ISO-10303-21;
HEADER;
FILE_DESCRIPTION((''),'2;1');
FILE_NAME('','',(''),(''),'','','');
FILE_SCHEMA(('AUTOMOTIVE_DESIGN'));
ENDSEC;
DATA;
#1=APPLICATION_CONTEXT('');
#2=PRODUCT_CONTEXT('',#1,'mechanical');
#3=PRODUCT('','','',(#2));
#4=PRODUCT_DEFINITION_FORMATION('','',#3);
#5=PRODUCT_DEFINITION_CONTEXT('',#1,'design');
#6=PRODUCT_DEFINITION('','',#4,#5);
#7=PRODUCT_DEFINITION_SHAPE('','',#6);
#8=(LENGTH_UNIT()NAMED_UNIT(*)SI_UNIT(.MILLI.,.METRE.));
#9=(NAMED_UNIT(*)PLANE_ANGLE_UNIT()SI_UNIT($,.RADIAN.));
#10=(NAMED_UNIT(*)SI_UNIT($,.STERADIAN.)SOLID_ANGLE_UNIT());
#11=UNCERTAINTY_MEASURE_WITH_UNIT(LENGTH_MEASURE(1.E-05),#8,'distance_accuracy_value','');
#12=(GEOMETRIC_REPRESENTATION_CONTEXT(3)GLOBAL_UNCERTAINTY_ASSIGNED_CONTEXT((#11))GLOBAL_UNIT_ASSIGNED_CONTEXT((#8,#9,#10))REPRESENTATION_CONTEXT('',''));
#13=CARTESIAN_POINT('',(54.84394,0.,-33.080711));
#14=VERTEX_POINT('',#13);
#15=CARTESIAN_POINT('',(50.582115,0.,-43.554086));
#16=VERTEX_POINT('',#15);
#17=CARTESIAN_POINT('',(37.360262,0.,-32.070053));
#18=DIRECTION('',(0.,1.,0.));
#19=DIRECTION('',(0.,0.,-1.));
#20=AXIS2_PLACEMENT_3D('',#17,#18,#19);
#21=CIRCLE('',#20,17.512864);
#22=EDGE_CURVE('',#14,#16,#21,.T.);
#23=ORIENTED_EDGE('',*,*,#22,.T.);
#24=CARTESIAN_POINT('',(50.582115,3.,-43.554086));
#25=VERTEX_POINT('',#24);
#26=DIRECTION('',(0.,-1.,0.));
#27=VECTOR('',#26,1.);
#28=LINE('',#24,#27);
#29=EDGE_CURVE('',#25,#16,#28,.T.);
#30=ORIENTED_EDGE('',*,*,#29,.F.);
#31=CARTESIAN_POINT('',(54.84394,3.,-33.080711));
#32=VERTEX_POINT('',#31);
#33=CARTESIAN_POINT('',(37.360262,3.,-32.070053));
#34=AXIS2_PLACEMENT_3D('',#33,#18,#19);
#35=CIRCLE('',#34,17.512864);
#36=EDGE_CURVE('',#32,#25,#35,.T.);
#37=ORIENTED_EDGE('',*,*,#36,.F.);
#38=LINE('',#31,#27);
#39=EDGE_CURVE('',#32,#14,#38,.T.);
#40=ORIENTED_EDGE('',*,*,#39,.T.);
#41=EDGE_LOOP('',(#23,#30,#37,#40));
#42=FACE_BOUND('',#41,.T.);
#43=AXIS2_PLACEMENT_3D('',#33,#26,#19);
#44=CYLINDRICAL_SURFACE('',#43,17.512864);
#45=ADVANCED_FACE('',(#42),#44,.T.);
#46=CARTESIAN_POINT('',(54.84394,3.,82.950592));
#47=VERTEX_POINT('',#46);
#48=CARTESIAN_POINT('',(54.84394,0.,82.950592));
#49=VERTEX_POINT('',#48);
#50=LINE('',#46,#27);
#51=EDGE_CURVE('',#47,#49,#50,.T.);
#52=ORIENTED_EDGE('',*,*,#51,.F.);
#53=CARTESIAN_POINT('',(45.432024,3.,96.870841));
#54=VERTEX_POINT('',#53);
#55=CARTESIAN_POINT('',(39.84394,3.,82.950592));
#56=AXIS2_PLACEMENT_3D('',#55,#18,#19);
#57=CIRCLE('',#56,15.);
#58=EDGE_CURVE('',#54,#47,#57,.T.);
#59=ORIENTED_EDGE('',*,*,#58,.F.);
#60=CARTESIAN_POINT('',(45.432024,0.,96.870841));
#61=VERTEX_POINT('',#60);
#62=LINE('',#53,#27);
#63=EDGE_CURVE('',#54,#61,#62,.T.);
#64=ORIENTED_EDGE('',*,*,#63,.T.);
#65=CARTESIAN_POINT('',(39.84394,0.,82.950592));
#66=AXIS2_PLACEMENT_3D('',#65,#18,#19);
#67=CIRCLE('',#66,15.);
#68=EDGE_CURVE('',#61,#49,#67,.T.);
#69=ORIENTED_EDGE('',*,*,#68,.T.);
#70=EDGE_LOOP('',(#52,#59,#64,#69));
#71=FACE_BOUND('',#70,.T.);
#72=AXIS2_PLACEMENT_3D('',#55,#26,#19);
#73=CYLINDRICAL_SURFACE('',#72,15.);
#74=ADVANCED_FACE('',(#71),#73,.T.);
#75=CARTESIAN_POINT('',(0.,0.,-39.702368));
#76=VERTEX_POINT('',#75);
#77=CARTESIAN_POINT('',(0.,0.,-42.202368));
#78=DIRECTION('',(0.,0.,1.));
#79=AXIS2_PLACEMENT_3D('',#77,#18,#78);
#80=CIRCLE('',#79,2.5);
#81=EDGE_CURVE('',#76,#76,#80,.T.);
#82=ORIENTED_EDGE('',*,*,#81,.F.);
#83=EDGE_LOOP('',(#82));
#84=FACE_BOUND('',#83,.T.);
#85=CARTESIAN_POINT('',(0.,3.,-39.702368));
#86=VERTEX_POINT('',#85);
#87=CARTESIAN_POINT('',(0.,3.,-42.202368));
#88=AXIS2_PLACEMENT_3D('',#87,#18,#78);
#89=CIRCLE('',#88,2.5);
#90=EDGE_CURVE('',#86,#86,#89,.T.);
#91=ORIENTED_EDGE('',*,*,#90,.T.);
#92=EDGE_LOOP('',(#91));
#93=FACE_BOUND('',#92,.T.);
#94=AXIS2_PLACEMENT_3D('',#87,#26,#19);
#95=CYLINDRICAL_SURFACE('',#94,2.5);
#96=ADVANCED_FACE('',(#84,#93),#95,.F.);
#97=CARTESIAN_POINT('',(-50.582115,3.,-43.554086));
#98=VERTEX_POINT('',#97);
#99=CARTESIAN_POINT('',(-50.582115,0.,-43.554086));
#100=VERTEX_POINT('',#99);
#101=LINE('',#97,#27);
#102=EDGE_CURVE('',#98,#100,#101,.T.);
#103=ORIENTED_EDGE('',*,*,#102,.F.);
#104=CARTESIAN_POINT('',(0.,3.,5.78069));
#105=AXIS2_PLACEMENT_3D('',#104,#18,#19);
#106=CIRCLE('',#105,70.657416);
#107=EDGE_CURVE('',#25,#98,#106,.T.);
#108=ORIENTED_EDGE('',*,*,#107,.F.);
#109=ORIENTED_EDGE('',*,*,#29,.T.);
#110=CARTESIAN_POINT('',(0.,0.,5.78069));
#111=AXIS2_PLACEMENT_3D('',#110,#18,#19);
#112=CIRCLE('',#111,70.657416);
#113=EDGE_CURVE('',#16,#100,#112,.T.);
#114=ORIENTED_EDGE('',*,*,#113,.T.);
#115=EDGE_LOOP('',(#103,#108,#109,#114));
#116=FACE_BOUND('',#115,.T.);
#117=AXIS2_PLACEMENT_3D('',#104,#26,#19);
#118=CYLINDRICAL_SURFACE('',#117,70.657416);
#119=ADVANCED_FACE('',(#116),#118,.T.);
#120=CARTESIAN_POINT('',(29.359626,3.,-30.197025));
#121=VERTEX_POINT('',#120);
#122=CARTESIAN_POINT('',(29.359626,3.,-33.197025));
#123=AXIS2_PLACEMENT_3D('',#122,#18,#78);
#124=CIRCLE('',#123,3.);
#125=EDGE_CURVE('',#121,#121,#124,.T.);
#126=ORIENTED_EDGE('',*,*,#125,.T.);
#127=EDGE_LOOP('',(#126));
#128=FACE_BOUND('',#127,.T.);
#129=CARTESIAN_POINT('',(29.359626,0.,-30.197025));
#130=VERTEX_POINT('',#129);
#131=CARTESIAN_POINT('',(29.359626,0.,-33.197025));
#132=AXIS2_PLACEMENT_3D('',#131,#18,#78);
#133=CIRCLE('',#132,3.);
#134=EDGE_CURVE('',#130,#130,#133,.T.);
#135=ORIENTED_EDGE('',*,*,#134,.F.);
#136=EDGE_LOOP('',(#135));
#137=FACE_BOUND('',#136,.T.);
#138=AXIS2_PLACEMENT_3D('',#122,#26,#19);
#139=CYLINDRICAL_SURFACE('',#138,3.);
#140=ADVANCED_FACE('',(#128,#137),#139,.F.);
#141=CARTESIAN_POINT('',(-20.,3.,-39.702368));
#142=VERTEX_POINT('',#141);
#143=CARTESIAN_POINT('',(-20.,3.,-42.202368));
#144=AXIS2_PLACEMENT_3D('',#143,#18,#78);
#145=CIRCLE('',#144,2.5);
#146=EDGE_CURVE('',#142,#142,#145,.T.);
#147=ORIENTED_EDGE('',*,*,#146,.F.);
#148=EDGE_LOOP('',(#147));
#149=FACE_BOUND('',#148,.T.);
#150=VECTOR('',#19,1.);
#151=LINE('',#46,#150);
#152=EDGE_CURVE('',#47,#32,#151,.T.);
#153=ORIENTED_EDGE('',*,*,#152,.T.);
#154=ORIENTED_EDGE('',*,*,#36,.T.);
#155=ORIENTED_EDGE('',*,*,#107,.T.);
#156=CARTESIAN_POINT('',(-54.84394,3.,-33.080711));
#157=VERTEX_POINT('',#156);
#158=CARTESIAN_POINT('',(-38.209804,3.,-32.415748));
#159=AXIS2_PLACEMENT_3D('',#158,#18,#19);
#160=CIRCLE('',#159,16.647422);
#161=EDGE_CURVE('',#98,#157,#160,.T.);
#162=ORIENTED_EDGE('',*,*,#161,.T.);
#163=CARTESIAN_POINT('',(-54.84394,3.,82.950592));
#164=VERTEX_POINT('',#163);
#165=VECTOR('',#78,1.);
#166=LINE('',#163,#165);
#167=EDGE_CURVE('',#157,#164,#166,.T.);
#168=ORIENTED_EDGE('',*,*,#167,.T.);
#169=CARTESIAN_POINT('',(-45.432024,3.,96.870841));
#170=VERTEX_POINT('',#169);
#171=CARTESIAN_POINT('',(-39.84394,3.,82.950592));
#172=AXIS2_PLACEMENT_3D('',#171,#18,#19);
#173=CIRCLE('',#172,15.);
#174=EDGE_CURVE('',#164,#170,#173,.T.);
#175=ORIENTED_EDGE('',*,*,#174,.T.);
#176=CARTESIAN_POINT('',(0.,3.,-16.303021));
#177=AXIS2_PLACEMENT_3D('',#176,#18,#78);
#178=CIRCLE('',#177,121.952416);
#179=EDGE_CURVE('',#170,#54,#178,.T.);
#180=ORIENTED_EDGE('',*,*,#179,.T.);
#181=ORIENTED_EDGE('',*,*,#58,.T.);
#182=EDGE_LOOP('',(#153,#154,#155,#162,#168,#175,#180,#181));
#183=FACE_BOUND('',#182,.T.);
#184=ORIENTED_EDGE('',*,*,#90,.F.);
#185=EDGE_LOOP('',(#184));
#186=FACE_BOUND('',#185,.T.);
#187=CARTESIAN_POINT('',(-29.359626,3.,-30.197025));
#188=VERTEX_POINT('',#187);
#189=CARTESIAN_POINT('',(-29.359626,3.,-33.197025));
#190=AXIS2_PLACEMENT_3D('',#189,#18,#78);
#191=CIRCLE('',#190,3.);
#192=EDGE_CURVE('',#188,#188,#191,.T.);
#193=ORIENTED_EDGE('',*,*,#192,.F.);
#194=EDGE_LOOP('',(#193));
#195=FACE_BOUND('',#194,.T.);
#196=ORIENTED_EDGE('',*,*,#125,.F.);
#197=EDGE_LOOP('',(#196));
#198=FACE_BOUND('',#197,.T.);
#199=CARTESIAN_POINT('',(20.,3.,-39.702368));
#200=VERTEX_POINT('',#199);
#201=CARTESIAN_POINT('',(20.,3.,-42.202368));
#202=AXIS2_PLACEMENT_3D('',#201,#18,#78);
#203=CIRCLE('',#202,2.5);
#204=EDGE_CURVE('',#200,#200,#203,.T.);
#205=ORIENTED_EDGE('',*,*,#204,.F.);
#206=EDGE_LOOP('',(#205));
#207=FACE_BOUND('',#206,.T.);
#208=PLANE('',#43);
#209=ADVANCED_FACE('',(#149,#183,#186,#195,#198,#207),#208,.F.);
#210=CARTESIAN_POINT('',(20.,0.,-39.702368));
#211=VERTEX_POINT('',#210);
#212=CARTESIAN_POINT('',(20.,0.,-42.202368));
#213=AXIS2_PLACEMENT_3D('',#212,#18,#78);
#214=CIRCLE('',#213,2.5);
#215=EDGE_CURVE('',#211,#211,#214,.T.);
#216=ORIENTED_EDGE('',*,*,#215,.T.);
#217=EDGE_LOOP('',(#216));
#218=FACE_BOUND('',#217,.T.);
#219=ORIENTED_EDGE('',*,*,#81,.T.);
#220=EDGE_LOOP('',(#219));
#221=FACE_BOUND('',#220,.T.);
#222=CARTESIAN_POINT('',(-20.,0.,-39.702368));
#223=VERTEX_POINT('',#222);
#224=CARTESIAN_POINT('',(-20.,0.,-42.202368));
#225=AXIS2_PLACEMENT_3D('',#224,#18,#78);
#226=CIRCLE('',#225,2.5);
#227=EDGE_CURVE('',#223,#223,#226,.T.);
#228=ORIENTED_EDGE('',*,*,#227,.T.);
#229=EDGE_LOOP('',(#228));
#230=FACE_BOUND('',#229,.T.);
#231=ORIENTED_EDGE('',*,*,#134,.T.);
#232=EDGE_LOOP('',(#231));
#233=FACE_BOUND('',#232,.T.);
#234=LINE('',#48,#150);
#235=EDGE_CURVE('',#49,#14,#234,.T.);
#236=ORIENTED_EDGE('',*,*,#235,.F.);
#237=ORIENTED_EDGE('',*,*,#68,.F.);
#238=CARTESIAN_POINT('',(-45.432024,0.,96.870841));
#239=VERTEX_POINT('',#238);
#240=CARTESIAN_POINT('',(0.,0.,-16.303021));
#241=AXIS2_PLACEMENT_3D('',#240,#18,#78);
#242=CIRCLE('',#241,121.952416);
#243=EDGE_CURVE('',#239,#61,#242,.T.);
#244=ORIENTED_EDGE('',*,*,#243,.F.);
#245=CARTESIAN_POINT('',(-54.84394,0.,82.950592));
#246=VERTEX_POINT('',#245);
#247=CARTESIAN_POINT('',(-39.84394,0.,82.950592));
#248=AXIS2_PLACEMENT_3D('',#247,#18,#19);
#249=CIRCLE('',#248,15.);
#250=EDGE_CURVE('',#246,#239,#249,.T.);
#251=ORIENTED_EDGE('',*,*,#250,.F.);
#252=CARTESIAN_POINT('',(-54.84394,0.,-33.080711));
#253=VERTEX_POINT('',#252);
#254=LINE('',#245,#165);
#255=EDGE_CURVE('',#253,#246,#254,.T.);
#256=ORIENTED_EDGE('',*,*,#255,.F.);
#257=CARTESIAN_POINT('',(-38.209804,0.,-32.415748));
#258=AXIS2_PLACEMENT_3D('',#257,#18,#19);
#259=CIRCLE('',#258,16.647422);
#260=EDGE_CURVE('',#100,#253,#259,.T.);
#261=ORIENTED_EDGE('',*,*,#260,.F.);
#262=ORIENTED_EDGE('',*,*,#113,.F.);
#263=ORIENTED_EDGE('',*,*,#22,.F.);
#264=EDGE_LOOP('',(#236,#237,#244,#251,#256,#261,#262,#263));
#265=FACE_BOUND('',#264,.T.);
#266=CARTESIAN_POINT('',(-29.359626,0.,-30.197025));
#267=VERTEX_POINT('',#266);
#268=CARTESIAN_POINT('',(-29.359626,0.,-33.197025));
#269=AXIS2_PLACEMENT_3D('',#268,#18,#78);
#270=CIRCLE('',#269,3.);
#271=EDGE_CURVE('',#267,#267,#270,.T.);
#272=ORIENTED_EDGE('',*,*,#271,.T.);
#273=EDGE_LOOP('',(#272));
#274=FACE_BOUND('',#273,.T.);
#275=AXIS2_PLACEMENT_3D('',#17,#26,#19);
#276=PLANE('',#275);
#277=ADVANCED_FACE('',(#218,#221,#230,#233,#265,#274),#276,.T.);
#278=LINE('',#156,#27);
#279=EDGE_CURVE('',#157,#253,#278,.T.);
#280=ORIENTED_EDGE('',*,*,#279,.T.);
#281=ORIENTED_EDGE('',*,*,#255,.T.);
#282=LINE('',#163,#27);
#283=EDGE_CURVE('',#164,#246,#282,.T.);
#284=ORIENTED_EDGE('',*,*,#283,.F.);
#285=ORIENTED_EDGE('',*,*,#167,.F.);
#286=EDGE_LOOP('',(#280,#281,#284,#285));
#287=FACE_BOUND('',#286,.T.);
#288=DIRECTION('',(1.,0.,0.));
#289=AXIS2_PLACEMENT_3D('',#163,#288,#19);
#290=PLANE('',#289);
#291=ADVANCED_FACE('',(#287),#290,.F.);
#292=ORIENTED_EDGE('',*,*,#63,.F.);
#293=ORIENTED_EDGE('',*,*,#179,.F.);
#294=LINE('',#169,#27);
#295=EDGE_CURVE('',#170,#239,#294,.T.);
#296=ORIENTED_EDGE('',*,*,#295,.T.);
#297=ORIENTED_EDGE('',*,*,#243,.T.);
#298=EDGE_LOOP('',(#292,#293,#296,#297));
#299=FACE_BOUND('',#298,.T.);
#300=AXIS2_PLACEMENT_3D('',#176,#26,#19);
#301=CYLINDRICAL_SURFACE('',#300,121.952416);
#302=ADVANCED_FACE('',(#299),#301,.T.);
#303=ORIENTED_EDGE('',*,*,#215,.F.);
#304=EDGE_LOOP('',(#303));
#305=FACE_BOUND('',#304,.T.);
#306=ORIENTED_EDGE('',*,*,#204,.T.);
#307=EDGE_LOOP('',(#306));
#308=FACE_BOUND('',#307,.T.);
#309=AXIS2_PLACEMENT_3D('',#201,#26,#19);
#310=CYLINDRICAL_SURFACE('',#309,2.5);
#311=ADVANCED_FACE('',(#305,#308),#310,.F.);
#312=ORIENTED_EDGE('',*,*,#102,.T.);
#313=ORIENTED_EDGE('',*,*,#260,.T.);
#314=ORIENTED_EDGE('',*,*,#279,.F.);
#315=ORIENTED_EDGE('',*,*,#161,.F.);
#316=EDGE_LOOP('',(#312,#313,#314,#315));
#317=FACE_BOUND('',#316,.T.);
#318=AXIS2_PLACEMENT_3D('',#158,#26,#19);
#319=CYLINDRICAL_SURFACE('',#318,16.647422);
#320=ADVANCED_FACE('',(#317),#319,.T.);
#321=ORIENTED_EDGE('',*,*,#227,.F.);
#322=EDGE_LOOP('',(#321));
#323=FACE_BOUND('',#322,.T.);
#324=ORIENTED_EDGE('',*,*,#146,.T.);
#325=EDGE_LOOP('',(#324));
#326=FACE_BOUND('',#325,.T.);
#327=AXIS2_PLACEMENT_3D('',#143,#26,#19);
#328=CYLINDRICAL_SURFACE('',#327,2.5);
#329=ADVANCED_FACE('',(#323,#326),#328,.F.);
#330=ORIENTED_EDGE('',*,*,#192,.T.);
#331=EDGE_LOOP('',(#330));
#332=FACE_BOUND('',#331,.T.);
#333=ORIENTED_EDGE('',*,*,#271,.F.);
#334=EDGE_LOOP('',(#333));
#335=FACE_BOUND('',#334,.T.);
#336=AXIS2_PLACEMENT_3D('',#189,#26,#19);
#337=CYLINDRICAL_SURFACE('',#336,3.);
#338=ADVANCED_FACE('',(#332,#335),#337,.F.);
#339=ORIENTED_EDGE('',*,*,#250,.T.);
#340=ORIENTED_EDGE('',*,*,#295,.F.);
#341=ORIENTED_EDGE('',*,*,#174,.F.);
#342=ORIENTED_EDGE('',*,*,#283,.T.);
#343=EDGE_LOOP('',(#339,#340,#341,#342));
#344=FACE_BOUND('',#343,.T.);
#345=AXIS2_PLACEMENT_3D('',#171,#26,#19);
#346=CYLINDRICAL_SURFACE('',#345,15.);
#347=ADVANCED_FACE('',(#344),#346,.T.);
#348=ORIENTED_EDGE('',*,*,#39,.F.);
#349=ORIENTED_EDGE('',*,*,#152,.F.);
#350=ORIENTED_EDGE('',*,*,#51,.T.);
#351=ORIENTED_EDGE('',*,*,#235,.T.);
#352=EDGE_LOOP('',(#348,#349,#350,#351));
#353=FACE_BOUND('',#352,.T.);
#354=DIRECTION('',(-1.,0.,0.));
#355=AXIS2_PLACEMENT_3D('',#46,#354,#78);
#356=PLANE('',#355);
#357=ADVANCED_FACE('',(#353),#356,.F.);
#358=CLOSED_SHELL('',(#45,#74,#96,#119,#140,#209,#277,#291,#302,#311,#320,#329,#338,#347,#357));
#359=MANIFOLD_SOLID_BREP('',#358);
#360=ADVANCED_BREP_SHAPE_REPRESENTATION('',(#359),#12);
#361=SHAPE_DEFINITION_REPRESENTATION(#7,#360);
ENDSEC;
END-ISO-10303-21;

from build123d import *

# Parameters (mm, degrees)
SKETCH2_R           = 3
SKETCH2_R_2         = 2.5
BOSS_EXTRUDE1_DEPTH = 3


with BuildPart() as part:
    # Sketch2 → Boss-Extrude1 (new body)
    with BuildSketch(Plane(origin=(0, 0, 0), x_dir=(1, 0, 0), z_dir=(0, 1, 0))):
        with BuildLine():
            Line((-54.843939578, -82.950592443), (-54.843939578, 33.080710792))
            ThreePointArc((-54.843939578, 33.080710792), (-53.629479142, 38.690320935), (-50.582114931, 43.554086088))
            ThreePointArc((-50.582114931, 43.554086088), (0, 64.876726435), (50.582114931, 43.554086088))
            ThreePointArc((50.582114931, 43.554086088), (53.581553542, 38.670819055), (54.843939578, 33.080710792))
            Line((54.843939578, 33.080710792), (54.843939578, -82.950592443))
            ThreePointArc((54.843939578, -82.950592443), (52.270146994, -91.352340431), (45.432023677, -96.870840864))
            ThreePointArc((45.432023677, -96.870840864), (0, -105.649395093), (-45.432023677, -96.870840864))
            ThreePointArc((-45.432023677, -96.870840864), (-52.270146994, -91.352340431), (-54.843939578, -82.950592443))
        make_face()
        with Locations((29.359626422, 33.197024949)):
            Circle(SKETCH2_R, mode=Mode.SUBTRACT)
        with Locations((-29.359626422, 33.197024949)):
            Circle(SKETCH2_R, mode=Mode.SUBTRACT)
        with Locations((0, 42.202367755)):
            Circle(SKETCH2_R_2, mode=Mode.SUBTRACT)
        with Locations((20, 42.202367755)):
            Circle(SKETCH2_R_2, mode=Mode.SUBTRACT)
        with Locations((-20, 42.202367755)):
            Circle(SKETCH2_R_2, mode=Mode.SUBTRACT)
    extrude(amount=BOSS_EXTRUDE1_DEPTH)


solid = part.part
